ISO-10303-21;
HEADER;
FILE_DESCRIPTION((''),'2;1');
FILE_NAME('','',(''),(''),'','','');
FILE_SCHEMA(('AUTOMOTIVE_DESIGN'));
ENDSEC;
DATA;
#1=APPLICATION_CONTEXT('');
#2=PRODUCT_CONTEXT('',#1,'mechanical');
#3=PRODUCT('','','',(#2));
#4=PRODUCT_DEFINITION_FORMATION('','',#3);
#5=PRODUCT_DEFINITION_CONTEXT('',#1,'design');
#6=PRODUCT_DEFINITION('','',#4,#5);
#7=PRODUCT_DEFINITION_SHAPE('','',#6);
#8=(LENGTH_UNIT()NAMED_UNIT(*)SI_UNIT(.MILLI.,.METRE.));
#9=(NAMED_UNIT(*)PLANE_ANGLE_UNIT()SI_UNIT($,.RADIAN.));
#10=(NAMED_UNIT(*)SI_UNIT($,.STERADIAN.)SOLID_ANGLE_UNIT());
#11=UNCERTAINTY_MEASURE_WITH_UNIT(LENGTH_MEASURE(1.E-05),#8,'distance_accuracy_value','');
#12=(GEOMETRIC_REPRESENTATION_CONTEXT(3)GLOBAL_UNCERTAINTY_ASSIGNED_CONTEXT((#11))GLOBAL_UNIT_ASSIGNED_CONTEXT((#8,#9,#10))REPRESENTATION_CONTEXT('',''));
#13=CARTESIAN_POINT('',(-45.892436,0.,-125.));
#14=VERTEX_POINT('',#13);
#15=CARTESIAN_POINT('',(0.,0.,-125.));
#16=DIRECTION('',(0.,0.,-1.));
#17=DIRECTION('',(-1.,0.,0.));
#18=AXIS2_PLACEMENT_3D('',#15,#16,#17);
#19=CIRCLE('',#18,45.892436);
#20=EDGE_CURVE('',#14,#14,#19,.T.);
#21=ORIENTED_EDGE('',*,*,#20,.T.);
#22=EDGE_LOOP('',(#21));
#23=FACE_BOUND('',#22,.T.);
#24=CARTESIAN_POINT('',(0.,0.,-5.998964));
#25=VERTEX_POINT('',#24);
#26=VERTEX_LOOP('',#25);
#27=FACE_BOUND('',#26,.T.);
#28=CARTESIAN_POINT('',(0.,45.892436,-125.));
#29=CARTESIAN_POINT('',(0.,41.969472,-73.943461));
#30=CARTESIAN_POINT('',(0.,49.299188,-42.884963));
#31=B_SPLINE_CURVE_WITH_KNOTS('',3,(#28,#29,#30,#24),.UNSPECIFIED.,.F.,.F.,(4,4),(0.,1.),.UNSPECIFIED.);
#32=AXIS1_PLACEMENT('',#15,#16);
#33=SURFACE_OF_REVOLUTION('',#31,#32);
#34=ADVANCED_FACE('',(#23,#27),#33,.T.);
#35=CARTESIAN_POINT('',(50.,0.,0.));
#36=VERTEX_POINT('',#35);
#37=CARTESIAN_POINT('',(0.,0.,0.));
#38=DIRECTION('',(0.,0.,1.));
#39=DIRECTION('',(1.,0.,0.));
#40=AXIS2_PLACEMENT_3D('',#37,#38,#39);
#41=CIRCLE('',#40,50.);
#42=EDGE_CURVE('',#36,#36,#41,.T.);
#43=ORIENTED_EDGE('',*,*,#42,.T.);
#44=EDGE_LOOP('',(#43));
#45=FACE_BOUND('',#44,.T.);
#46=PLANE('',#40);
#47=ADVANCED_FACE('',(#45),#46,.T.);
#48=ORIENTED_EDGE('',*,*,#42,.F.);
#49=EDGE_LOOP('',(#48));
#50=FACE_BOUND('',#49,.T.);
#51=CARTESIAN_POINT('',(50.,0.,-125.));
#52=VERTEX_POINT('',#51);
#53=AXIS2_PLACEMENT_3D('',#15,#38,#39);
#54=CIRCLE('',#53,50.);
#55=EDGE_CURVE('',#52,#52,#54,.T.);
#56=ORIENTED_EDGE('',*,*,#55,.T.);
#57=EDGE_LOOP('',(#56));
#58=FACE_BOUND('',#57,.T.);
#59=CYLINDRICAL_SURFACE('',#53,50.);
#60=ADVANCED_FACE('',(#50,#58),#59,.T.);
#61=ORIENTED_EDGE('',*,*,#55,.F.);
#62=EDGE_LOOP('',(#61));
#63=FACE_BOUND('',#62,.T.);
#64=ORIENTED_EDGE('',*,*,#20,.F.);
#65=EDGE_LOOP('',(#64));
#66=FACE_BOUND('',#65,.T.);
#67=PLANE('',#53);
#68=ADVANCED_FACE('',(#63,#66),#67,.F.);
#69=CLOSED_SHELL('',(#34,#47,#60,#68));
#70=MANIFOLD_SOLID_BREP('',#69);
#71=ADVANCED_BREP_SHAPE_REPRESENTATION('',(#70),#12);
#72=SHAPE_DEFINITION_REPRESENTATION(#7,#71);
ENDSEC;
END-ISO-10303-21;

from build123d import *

# Parameters (mm, degrees)
SKETCH1_R           = 50
BOSS_EXTRUDE1_DEPTH = 125


with BuildPart() as part:
    # Sketch1 → Boss-Extrude1 (new body)
    with BuildSketch(Plane.XY):
        Circle(SKETCH1_R)
    extrude(amount=-BOSS_EXTRUDE1_DEPTH)

    # Sketch2 → Cut-Revolve1 (revolve, cut)
    with BuildSketch(Plane(origin=(0, 0, 0), x_dir=(0, 0, -1), z_dir=(1, 0, 0))):
        with BuildLine():
            Line((125, 0), (5.998963746, 0))
            add(Edge.make_bspline(
                [(5.998963746, 0), (42.884962987, 49.299187879), (73.943461013, 41.969471568), (125, 45.892435664)],
                knots=[0, 0, 0, 0, 1, 1, 1, 1], degree=3))
            Line((125, 45.892435664), (125, 0))
        make_face()
    revolve(axis=Axis((0, 0, -125), (0, 0, 1)), mode=Mode.SUBTRACT)


solid = part.part
